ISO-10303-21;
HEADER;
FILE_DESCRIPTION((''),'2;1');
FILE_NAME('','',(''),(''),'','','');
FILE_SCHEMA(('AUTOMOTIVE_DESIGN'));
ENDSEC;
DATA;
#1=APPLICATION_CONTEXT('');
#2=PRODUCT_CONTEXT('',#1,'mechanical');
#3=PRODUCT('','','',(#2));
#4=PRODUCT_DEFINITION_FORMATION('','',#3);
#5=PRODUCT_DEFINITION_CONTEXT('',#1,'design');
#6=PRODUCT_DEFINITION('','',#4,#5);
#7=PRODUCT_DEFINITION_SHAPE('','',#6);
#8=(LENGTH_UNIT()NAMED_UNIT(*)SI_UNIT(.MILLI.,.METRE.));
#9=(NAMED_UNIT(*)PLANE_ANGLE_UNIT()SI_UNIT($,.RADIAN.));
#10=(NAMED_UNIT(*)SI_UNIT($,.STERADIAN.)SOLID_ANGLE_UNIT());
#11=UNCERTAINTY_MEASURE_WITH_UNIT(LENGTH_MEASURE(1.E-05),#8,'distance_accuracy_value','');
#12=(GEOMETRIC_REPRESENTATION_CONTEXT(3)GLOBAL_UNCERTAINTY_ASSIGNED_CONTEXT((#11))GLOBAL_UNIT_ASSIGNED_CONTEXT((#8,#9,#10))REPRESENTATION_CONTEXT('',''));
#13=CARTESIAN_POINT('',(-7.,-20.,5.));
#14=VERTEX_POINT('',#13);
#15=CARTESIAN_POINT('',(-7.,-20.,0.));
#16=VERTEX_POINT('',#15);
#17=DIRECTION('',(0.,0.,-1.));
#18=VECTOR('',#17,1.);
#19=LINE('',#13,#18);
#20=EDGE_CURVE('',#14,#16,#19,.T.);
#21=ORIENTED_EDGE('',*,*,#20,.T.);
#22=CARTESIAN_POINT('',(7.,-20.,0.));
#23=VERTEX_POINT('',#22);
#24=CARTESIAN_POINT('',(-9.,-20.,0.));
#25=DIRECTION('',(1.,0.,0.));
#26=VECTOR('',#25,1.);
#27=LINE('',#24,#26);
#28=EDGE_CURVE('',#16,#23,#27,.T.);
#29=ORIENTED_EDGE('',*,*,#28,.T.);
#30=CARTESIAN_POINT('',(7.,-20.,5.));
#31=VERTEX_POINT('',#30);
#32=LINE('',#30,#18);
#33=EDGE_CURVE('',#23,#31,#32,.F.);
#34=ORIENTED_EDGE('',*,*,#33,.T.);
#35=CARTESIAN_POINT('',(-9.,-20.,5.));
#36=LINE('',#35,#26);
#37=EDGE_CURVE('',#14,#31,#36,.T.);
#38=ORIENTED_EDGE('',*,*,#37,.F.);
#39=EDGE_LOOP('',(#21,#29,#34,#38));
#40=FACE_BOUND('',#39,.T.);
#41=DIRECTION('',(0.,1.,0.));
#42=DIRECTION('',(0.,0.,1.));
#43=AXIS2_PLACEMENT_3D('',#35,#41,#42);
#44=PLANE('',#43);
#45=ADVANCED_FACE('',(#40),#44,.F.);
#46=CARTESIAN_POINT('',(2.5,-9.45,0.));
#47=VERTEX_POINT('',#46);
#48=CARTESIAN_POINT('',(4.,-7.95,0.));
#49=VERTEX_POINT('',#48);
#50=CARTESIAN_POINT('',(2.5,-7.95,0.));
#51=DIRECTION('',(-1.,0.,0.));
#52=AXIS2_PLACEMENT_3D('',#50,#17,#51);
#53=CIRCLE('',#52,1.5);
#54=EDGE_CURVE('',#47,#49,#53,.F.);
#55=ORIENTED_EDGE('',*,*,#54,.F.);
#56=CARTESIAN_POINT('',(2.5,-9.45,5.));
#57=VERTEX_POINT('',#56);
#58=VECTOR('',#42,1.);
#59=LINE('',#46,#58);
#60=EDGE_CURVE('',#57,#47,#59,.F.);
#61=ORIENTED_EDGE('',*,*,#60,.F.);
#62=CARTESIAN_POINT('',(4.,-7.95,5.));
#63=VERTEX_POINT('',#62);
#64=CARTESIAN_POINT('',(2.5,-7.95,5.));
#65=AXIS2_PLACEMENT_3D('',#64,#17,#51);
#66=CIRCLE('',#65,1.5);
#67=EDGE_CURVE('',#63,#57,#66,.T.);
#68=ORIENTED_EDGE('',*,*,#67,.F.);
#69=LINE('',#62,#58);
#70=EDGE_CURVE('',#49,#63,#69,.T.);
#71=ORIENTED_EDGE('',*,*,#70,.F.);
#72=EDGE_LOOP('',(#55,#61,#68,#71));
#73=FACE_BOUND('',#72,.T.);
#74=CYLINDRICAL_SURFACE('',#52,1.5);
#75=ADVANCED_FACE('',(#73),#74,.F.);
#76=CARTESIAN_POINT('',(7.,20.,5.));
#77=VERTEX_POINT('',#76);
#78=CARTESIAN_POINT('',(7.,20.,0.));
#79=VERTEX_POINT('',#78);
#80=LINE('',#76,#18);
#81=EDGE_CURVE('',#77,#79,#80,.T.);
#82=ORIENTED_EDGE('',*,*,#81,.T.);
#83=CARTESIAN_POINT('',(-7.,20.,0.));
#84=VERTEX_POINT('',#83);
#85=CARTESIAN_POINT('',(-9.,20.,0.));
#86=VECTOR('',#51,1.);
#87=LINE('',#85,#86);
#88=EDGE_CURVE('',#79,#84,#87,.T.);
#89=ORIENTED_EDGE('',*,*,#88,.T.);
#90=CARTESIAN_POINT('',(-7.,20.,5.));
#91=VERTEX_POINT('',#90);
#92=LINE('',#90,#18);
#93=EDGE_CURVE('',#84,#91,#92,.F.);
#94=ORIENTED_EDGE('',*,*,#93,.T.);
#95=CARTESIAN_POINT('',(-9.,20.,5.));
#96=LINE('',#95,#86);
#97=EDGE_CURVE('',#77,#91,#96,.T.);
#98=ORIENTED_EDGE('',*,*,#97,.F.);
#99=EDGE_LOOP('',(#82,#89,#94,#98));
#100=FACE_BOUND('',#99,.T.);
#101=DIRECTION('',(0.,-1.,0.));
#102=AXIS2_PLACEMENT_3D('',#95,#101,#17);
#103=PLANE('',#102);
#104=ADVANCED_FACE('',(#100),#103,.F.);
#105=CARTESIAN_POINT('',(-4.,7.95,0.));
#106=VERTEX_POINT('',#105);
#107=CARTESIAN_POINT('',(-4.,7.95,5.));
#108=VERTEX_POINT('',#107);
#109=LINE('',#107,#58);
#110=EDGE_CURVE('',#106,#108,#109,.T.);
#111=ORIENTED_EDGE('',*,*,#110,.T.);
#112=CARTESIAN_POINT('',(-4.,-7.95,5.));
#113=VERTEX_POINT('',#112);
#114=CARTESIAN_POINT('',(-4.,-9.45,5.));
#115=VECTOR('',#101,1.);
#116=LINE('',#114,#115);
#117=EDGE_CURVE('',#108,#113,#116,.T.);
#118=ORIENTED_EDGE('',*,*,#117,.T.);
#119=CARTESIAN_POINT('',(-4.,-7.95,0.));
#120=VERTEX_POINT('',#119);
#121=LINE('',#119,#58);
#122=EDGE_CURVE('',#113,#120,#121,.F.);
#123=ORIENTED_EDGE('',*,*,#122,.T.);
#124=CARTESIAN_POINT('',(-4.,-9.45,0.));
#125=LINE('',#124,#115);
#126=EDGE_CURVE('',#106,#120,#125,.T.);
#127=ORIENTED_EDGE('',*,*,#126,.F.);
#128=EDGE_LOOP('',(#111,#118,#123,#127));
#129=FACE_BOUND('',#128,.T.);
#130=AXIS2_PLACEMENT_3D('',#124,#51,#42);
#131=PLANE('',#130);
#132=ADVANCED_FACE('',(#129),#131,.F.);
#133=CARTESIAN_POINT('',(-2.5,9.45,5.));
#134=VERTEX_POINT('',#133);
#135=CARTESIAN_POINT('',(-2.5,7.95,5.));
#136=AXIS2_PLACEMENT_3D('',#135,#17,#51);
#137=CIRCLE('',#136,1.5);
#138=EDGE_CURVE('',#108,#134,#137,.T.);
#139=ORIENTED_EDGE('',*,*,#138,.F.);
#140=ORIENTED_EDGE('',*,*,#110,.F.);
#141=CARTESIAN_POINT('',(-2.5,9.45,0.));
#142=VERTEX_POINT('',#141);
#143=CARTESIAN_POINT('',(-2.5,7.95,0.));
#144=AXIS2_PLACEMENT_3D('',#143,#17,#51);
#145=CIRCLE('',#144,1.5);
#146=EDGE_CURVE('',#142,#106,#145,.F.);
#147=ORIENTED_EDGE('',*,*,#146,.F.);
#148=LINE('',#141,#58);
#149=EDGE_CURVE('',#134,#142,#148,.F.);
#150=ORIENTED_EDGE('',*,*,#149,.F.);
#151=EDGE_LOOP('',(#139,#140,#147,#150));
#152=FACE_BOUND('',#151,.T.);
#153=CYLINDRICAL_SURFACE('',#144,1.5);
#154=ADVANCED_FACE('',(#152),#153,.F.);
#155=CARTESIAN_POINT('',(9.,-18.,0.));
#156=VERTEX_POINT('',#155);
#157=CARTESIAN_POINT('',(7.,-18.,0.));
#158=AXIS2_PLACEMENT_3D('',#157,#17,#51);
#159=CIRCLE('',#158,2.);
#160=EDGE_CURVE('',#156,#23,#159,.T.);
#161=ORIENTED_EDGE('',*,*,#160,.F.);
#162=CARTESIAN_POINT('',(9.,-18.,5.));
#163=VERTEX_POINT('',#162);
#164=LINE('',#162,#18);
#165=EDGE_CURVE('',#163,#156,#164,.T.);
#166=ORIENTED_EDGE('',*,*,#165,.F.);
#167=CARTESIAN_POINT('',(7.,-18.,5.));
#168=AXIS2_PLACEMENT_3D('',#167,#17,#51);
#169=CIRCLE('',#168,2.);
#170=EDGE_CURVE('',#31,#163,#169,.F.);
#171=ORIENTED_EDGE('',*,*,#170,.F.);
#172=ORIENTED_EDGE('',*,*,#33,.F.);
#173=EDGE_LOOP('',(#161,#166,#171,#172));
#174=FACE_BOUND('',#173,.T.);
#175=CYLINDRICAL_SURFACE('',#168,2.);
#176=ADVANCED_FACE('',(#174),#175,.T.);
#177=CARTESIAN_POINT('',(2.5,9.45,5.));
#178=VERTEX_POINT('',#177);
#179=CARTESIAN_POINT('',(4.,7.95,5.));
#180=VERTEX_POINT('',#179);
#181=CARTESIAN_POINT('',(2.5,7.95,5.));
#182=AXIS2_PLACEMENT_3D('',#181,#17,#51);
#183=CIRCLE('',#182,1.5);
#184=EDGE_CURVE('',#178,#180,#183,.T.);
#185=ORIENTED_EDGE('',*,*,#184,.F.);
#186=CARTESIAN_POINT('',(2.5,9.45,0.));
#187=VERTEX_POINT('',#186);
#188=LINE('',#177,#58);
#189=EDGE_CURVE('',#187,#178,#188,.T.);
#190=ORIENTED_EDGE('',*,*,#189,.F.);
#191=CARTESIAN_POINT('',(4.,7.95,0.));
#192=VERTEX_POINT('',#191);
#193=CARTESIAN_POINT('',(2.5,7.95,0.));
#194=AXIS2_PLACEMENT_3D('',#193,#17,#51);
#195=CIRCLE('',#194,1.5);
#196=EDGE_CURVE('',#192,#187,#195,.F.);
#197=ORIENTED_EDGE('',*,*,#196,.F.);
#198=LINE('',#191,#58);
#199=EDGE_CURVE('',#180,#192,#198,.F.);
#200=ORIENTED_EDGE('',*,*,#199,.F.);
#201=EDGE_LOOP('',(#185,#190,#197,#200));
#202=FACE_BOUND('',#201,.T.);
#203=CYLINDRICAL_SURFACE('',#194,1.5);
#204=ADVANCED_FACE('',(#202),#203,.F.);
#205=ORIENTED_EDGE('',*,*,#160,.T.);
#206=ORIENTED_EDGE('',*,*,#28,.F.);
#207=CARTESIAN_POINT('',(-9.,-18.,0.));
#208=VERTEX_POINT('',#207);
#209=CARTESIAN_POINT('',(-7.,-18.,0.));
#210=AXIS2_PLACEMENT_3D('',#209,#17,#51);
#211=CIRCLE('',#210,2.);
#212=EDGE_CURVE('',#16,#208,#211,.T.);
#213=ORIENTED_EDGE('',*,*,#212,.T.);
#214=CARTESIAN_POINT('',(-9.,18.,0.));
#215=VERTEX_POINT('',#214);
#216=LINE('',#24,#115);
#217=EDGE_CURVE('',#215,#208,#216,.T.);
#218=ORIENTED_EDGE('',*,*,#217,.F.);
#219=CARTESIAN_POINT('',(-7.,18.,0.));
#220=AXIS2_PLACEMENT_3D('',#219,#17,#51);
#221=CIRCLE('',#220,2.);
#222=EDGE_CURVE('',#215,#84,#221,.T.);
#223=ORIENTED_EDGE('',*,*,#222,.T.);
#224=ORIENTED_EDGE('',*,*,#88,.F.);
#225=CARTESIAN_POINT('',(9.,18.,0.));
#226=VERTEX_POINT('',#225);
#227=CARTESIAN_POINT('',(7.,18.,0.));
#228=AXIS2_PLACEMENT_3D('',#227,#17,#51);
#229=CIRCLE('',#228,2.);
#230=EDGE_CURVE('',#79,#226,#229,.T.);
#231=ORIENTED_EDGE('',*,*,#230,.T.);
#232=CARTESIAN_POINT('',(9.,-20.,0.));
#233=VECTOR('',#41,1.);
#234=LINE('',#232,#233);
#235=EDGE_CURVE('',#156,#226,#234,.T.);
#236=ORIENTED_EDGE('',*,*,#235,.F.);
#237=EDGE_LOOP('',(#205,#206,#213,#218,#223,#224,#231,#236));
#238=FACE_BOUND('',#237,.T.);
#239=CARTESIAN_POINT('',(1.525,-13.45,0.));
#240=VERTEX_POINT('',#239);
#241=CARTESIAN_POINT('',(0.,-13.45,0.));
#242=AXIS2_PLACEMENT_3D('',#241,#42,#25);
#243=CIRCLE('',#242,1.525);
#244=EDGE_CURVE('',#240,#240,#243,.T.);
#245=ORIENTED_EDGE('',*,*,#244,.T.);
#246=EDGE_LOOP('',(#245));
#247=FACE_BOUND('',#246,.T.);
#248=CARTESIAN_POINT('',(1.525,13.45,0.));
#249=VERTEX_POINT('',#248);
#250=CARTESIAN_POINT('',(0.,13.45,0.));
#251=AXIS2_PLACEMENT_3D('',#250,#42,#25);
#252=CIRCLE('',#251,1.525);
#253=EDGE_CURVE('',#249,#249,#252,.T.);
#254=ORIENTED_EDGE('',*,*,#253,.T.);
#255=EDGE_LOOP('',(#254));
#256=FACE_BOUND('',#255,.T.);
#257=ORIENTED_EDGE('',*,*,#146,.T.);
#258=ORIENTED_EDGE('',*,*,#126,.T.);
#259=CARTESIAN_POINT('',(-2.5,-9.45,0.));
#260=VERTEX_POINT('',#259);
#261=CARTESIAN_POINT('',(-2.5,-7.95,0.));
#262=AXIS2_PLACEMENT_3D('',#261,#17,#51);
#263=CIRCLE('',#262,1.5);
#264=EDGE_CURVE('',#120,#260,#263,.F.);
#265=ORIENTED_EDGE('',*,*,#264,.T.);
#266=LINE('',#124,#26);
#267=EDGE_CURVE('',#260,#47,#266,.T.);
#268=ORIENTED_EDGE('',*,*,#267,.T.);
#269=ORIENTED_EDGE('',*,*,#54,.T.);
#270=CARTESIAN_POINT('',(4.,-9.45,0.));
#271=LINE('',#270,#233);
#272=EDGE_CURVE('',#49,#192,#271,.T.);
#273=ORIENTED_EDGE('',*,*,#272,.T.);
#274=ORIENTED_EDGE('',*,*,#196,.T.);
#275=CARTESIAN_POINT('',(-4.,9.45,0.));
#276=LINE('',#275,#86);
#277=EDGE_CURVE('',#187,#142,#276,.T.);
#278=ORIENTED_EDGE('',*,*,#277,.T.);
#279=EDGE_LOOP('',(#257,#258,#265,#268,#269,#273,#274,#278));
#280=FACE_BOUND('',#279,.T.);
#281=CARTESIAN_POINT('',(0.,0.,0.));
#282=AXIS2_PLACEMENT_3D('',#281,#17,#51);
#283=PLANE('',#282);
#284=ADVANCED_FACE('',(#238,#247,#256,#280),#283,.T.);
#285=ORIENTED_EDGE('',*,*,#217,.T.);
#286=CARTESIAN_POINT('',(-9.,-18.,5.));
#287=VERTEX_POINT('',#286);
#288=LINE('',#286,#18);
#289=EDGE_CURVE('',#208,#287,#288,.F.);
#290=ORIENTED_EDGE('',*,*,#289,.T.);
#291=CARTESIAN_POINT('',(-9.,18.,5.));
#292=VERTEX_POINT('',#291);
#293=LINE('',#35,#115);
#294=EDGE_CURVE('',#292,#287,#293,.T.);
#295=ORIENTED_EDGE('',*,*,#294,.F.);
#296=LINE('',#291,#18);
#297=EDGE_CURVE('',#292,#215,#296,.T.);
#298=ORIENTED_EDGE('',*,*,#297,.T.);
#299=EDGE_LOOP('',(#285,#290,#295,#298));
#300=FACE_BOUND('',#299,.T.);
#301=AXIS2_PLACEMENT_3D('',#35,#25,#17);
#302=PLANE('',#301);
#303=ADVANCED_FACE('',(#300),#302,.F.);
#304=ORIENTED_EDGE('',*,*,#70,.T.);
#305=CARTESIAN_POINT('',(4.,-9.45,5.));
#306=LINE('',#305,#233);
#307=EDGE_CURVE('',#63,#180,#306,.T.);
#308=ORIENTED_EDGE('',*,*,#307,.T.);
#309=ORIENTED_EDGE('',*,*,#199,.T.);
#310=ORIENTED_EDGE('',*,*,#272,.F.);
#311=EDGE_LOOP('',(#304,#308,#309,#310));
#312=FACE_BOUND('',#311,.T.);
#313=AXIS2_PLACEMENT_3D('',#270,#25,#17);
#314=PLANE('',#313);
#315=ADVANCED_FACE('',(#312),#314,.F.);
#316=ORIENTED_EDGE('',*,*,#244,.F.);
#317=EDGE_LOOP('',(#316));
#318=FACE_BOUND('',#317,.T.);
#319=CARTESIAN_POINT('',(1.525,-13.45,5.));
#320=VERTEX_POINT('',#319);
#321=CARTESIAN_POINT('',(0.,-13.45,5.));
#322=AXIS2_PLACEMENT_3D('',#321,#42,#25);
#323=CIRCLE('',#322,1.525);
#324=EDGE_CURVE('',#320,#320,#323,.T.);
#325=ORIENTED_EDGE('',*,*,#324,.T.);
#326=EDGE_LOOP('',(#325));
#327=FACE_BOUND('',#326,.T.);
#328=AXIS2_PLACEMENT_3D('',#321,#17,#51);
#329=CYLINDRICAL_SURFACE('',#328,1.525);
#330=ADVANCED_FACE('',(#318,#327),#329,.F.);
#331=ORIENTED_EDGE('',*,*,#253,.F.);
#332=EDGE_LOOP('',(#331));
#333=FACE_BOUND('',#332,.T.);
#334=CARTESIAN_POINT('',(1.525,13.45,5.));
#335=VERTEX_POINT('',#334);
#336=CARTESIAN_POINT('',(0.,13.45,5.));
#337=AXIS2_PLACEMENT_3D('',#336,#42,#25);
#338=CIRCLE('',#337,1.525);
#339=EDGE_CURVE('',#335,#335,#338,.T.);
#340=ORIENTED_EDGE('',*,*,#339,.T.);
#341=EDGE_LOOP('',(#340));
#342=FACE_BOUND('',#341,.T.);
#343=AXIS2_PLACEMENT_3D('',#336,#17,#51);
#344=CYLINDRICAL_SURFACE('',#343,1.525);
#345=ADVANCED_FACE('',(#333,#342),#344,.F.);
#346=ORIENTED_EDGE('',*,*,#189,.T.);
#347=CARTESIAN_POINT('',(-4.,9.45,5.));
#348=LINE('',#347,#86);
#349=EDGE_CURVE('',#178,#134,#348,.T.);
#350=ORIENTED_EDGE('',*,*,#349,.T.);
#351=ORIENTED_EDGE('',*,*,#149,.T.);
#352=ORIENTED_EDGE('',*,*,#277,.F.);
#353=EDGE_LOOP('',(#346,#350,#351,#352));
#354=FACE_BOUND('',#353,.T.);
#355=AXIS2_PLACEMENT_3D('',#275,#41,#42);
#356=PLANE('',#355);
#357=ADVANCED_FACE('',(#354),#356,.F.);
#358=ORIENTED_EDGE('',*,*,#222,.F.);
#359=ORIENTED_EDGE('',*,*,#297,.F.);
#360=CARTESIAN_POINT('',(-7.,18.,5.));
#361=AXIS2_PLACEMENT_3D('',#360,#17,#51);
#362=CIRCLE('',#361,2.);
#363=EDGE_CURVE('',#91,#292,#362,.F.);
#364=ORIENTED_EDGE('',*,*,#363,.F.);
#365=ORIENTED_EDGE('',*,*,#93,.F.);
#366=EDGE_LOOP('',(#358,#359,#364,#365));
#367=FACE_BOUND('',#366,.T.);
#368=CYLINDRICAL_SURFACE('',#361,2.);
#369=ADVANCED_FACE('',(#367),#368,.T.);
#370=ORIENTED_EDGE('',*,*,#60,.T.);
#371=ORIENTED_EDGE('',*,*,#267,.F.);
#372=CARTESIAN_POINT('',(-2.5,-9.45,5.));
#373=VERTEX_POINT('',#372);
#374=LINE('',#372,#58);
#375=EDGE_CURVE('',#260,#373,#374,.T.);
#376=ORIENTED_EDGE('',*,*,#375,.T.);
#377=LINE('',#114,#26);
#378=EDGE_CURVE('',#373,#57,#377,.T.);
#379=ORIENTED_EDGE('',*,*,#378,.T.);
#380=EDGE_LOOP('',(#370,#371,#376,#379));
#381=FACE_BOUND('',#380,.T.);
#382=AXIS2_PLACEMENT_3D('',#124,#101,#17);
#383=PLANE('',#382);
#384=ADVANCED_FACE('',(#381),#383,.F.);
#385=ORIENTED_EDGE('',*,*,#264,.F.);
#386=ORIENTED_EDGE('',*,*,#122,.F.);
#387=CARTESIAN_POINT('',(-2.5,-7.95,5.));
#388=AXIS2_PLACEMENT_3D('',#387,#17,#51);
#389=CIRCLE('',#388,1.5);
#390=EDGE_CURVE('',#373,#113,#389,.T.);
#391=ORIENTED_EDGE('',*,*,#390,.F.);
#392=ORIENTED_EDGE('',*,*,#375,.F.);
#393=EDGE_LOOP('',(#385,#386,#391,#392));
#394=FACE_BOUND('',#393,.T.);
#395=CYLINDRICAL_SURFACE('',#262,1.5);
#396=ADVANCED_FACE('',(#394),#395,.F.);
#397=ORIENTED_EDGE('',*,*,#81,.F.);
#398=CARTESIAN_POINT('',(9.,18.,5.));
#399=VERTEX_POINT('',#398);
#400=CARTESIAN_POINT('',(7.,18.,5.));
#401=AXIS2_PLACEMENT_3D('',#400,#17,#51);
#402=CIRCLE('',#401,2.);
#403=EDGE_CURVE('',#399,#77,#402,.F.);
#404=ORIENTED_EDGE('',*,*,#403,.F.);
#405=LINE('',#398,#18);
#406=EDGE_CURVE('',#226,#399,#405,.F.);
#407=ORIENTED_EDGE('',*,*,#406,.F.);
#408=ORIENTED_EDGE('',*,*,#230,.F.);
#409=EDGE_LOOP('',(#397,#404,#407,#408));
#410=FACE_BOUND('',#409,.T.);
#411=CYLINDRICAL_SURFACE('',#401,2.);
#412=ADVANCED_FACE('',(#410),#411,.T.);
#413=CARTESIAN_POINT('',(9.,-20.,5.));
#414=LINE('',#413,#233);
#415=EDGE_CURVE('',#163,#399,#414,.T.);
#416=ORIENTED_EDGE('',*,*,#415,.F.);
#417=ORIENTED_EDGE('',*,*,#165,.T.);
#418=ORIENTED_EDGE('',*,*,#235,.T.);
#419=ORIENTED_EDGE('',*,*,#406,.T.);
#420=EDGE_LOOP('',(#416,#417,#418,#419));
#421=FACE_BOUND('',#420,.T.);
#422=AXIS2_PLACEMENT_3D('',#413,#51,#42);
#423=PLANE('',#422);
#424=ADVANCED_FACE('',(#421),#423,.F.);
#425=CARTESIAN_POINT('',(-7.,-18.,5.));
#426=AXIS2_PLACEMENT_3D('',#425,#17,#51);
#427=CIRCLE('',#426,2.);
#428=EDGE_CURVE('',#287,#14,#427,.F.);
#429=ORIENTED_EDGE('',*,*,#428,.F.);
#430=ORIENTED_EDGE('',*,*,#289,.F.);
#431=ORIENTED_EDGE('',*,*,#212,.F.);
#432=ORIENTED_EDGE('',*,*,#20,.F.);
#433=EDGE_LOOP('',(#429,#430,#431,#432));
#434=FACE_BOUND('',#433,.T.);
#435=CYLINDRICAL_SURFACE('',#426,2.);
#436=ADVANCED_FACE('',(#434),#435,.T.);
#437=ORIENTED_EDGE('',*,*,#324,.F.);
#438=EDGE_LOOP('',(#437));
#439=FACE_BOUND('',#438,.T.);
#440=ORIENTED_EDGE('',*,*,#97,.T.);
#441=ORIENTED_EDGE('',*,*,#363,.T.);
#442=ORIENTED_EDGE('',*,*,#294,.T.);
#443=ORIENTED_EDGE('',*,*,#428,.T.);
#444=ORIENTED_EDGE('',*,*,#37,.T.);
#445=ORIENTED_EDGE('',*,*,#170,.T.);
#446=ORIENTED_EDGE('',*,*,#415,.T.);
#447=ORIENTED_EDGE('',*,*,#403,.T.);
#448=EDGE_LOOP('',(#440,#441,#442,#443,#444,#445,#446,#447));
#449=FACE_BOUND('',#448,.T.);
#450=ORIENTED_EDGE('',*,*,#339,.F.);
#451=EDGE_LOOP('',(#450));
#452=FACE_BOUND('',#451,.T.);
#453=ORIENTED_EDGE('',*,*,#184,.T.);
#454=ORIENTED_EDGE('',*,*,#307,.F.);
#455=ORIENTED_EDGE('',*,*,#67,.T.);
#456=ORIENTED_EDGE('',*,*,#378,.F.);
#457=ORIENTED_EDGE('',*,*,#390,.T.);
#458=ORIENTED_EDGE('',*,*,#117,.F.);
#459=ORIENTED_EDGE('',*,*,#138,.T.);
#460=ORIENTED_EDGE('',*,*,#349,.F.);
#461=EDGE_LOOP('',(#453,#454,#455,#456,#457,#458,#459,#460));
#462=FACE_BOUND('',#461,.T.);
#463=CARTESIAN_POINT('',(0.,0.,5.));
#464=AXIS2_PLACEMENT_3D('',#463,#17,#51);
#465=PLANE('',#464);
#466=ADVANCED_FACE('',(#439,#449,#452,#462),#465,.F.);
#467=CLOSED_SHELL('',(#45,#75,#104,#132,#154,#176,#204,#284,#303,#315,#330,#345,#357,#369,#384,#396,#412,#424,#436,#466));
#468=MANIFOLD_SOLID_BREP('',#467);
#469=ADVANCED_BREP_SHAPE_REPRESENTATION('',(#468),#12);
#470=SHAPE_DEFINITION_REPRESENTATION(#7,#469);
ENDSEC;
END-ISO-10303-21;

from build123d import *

# Parameters (mm, degrees)
SKETCH_1_W          = 18
SKETCH_1_H          = 40
SKETCH_1_R          = 1.525
EXTRUDE_1_DEPTH     = 5
FILLET_1_R          = 2
SKETCH_2_W          = 8
SKETCH_2_H          = 18.9
CUT_EXTRUDE_1_DEPTH = 5
FILLET_2_R          = 1.5


with BuildPart() as part:
    # 草图1 → 凸台-拉伸1 (new body)
    with BuildSketch(Plane.XY):
        Rectangle(SKETCH_1_W, SKETCH_1_H)
        with Locations((0, 13.45)):
            Circle(SKETCH_1_R, mode=Mode.SUBTRACT)
        with Locations((0, -13.45)):
            Circle(SKETCH_1_R, mode=Mode.SUBTRACT)
    extrude(amount=EXTRUDE_1_DEPTH)

    # 圆角1
    fillet_1_edges = [part.edges().sort_by_distance(p)[0] for p in [
        (9, -20, 2.5),
        (-9, -20, 2.5),
        (-9, 20, 2.5),
        (9, 20, 2.5),
    ]]
    fillet(fillet_1_edges, radius=FILLET_1_R)

    # 草图2 → 切除-拉伸1 (cut)
    with BuildSketch(Plane.XY.offset(5)):
        Rectangle(SKETCH_2_W, SKETCH_2_H)
    extrude(amount=-CUT_EXTRUDE_1_DEPTH, mode=Mode.SUBTRACT)

    # 圆角2
    fillet_2_edges = [part.edges().sort_by_distance(p)[0] for p in [
        (4, 9.45, 2.5),
        (4, -9.45, 2.5),
        (-4, -9.45, 2.5),
        (-4, 9.45, 2.5),
    ]]
    fillet(fillet_2_edges, radius=FILLET_2_R)


solid = part.part
